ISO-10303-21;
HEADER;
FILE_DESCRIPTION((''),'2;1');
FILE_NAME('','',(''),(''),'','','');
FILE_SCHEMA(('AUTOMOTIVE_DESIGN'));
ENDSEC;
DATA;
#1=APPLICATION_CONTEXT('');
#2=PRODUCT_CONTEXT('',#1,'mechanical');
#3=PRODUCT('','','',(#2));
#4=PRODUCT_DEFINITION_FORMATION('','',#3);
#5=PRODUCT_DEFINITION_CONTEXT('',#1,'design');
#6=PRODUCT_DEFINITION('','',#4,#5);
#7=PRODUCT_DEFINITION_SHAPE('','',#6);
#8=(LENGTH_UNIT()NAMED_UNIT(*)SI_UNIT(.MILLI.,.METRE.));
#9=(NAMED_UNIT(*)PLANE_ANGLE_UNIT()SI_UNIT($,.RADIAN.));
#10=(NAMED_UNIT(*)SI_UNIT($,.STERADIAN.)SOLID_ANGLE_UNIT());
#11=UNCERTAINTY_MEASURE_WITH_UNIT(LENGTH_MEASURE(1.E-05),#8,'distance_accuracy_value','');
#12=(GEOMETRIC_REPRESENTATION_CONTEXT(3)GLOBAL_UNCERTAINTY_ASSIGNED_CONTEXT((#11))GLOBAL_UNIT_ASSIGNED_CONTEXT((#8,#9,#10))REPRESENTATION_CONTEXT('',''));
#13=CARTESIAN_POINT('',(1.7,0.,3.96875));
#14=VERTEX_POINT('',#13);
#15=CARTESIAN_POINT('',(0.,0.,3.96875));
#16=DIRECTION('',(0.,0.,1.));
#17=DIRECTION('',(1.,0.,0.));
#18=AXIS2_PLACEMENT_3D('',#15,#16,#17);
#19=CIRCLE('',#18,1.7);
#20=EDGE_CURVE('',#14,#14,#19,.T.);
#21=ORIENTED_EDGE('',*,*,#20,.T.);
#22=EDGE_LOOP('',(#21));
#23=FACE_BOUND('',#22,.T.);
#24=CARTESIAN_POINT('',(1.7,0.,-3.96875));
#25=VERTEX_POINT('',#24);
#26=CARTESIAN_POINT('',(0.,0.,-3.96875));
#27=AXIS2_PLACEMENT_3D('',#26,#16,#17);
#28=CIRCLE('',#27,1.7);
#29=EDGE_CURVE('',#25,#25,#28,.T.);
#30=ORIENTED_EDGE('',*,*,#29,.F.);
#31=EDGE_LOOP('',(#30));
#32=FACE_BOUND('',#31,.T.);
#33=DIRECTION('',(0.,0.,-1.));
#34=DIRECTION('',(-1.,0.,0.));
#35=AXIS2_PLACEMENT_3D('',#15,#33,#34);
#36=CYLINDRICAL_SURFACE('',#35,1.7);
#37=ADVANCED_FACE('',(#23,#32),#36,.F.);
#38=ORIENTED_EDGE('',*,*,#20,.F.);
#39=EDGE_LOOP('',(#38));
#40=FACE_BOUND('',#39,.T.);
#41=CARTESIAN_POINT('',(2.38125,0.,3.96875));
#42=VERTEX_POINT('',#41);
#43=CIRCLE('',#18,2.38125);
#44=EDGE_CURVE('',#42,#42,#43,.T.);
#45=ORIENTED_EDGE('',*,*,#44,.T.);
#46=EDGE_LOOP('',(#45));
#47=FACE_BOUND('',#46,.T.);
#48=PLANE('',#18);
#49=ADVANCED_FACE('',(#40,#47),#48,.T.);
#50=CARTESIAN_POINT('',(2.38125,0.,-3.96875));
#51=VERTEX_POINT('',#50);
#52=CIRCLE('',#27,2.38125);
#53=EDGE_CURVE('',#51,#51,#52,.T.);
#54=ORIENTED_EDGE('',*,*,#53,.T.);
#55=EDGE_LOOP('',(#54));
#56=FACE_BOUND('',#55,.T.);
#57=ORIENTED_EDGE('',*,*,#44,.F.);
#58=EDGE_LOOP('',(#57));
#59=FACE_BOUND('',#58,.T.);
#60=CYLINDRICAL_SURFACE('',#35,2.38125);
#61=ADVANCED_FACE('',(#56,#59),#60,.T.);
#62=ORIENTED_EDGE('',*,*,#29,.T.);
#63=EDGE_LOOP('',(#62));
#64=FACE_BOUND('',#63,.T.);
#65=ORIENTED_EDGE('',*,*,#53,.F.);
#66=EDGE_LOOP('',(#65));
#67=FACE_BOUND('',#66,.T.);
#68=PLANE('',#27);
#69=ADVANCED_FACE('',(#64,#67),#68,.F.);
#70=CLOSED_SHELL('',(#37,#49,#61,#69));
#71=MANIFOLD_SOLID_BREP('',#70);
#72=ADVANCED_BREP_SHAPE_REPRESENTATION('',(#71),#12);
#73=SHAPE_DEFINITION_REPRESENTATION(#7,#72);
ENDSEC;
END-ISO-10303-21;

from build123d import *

# Parameters (mm, degrees)
SKETCH1_R           = 2.38125
SKETCH1_R_2         = 1.7
BOSS_EXTRUDE1_DEPTH = 3.96875


with BuildPart() as part:
    # Sketch1 → Boss-Extrude1 (new body, symmetric)
    with BuildSketch(Plane.XY):
        Circle(SKETCH1_R)
        Circle(SKETCH1_R_2, mode=Mode.SUBTRACT)
    extrude(amount=BOSS_EXTRUDE1_DEPTH, both=True)


solid = part.part
